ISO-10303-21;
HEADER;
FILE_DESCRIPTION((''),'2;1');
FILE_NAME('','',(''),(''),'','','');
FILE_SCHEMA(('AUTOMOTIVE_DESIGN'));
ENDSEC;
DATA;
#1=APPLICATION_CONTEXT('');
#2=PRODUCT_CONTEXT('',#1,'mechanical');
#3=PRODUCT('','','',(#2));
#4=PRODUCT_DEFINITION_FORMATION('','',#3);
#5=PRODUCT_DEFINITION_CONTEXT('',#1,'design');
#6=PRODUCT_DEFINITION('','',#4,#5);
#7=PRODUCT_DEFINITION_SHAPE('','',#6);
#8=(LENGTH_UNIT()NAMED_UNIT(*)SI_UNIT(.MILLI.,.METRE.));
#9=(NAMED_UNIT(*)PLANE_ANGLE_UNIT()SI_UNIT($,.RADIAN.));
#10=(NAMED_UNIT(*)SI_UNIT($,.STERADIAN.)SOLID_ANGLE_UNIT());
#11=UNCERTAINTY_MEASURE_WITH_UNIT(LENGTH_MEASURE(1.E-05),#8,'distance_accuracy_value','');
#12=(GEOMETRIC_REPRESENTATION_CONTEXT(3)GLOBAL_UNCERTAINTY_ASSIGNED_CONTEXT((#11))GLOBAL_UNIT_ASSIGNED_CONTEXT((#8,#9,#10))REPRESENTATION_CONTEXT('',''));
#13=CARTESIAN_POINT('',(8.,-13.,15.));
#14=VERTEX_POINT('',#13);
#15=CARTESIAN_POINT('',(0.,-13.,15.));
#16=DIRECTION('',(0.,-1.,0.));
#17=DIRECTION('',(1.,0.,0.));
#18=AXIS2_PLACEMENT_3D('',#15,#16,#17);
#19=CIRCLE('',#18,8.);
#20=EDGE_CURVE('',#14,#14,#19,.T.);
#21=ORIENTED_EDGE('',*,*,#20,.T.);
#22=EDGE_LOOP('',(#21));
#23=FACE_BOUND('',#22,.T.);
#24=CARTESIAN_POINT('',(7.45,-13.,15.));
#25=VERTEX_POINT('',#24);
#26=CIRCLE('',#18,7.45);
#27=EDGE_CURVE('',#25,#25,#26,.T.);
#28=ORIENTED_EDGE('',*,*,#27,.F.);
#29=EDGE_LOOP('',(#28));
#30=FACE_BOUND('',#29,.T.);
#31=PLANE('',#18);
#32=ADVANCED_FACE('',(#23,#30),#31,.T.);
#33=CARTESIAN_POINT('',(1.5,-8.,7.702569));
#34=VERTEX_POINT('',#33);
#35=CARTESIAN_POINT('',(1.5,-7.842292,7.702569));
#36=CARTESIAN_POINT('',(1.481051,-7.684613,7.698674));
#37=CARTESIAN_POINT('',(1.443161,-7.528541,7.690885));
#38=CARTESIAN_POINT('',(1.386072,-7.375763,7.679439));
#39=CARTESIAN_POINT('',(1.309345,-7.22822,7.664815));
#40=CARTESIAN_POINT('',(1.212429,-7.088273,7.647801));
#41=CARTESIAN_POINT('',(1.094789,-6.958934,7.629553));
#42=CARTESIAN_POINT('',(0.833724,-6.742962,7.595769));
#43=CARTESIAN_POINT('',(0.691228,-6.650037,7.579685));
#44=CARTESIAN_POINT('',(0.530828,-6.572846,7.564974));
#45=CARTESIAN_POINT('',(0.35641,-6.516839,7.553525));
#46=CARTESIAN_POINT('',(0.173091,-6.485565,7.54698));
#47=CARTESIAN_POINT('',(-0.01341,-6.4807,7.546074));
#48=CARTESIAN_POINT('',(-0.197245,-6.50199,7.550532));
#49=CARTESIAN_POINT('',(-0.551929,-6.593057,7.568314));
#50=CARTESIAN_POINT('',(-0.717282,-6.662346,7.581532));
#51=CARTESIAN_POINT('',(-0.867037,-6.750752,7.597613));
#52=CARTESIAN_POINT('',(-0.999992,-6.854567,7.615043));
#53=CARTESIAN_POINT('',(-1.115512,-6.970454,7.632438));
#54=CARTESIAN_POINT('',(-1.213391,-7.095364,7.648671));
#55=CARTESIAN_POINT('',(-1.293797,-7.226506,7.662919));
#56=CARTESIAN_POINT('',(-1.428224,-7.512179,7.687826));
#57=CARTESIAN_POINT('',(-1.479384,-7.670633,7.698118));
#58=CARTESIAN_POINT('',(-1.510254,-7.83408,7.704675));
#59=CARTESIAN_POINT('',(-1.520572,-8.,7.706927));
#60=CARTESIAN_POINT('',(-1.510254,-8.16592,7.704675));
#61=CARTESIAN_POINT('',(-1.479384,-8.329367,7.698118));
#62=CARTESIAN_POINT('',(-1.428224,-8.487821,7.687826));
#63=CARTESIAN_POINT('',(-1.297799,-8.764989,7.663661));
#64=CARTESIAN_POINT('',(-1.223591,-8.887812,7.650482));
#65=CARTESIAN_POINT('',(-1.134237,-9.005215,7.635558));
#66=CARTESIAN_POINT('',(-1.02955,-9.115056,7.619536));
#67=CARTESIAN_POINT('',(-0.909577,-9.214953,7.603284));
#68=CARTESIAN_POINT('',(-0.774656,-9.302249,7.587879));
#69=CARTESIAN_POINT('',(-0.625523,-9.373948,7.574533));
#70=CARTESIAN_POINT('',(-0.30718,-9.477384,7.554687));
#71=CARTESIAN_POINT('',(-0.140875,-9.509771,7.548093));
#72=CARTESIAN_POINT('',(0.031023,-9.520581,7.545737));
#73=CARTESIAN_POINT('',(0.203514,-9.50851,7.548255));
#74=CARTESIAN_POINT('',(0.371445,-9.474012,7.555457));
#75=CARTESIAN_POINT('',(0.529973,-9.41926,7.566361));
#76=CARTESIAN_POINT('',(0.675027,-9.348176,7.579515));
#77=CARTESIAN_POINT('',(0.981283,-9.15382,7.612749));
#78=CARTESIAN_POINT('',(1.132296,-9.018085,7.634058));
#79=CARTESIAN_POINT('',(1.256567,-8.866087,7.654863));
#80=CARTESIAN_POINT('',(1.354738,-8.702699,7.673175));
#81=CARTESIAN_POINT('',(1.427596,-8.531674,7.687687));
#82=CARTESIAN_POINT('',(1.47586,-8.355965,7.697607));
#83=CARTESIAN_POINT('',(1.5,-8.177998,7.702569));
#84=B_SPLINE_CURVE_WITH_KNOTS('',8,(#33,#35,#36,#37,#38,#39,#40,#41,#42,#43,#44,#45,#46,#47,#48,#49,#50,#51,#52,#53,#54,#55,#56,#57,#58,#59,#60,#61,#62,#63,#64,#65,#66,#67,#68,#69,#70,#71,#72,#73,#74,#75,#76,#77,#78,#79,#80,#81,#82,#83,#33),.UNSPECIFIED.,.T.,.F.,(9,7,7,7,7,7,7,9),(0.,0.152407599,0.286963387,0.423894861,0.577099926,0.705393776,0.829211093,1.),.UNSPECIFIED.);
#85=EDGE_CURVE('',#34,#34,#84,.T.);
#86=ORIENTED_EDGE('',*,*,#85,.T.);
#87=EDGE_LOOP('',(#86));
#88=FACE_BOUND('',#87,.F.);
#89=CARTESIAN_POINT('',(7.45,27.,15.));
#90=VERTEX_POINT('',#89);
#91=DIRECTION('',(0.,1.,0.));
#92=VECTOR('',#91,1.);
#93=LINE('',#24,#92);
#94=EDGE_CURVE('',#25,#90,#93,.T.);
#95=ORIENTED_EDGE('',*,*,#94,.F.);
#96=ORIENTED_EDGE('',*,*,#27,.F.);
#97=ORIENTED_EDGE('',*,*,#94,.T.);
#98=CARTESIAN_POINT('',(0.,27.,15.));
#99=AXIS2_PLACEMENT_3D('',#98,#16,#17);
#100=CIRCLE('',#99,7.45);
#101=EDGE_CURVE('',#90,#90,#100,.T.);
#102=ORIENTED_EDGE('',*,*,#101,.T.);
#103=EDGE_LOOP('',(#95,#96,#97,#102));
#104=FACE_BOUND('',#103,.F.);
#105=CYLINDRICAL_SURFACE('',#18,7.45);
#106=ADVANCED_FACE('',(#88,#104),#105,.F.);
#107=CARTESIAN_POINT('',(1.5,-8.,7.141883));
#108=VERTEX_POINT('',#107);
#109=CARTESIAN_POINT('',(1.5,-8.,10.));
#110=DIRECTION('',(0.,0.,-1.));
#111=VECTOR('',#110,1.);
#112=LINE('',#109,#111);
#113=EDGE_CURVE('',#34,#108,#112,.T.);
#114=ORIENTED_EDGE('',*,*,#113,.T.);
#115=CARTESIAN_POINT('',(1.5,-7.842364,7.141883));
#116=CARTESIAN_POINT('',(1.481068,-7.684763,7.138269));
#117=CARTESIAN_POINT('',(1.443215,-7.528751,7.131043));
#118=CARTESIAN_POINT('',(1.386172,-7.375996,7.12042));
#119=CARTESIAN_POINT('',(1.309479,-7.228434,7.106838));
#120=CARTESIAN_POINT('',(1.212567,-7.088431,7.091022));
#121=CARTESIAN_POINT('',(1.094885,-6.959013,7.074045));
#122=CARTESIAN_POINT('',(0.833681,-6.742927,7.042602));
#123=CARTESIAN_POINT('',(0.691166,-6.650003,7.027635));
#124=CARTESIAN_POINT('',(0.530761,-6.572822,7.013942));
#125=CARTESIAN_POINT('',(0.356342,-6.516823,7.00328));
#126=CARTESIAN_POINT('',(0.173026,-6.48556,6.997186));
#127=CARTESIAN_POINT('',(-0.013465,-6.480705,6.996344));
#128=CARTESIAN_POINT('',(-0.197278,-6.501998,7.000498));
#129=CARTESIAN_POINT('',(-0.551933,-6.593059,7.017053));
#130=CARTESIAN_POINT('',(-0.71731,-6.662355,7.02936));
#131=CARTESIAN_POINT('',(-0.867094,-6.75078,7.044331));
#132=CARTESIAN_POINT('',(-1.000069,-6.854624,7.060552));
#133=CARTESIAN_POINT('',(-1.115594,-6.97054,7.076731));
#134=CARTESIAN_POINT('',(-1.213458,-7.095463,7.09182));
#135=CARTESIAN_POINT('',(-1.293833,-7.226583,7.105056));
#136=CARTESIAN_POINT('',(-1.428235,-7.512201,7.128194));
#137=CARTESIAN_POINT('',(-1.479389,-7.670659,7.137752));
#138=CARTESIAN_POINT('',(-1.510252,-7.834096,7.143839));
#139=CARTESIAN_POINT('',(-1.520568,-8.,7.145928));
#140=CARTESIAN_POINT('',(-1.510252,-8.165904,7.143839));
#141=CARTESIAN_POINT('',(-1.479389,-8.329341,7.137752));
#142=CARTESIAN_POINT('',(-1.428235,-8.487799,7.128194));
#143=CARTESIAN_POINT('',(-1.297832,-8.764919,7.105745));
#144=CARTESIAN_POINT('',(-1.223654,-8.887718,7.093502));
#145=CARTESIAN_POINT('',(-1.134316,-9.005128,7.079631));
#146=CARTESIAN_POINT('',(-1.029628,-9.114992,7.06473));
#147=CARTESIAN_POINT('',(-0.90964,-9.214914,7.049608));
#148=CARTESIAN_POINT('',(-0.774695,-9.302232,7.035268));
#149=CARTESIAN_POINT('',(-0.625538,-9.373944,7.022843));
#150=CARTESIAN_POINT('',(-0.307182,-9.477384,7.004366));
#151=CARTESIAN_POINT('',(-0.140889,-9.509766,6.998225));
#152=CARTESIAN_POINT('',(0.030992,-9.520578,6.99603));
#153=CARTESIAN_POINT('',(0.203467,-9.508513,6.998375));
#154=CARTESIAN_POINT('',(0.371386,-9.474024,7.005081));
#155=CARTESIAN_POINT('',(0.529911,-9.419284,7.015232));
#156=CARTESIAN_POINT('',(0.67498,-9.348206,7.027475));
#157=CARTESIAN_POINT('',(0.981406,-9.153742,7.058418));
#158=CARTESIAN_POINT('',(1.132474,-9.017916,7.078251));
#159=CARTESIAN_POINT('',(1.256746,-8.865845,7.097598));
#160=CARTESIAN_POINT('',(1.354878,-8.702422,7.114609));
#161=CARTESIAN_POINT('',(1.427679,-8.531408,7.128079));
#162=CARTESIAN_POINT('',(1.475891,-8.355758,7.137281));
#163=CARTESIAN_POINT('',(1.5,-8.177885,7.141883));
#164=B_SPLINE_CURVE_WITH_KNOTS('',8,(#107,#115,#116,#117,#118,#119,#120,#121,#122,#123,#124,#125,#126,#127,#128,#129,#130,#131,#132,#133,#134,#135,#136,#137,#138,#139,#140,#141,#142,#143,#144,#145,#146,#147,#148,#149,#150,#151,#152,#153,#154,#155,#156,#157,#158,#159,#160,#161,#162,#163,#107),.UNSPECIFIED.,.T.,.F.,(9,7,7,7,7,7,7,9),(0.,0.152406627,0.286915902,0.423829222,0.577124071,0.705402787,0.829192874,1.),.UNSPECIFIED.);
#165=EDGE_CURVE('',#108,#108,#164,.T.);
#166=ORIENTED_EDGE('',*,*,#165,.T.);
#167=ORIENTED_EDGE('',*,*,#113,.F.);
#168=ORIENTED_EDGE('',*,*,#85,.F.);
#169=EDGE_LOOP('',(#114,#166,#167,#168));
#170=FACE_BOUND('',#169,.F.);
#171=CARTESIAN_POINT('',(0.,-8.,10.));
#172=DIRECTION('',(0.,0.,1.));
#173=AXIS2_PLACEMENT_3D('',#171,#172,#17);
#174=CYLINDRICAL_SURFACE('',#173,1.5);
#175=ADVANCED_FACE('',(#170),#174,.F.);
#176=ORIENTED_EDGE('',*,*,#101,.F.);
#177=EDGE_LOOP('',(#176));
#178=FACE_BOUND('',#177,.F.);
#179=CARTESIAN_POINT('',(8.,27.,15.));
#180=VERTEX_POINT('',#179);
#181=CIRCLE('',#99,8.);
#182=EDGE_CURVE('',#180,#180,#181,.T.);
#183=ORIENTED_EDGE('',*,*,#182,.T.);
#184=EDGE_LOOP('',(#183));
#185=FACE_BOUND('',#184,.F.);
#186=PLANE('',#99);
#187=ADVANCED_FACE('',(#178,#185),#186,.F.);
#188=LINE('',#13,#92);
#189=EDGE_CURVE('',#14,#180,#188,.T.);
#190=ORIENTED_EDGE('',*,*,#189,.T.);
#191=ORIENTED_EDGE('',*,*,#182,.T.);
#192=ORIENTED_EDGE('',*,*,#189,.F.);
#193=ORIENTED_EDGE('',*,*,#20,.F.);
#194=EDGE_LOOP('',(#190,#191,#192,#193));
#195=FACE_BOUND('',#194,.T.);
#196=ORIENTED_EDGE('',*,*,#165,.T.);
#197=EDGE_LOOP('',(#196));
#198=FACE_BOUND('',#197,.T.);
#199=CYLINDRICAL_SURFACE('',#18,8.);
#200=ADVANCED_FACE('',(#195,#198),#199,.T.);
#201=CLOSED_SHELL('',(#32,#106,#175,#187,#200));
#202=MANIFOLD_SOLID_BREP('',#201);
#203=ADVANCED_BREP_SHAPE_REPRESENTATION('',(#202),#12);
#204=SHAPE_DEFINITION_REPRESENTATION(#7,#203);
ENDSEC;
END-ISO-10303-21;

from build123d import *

# Parameters (mm, degrees)
SKETCH003_R     = 8
PAD003_DEPTH    = 40
SKETCH004_R     = 1.5
POCKET_DEPTH    = 5
SKETCH005_R     = 7.45
POCKET001_DEPTH = 40.001


with BuildPart() as part:
    # Sketch003 → Pad003 (new body)
    with BuildSketch(Plane.XZ):
        with Locations((0, 15)):
            Circle(SKETCH003_R)
    extrude(amount=-PAD003_DEPTH)

    # Sketch004 (on DatumPlane) → Pocket (cut)
    with BuildSketch(Plane.XY.offset(10)):
        with Locations((0, 5)):
            Circle(SKETCH004_R)
    extrude(amount=-POCKET_DEPTH, mode=Mode.SUBTRACT)

    # Sketch005 → Pocket001 (cut, through all)
    with BuildSketch(Plane.XZ):
        with Locations((0, 15)):
            Circle(SKETCH005_R)
    extrude(amount=-POCKET001_DEPTH, mode=Mode.SUBTRACT)


with BuildPart() as part_1:
    # Body003 placement: moved
    add(part.part.moved(Location((0, -13, 0))))


solid = part_1.part
